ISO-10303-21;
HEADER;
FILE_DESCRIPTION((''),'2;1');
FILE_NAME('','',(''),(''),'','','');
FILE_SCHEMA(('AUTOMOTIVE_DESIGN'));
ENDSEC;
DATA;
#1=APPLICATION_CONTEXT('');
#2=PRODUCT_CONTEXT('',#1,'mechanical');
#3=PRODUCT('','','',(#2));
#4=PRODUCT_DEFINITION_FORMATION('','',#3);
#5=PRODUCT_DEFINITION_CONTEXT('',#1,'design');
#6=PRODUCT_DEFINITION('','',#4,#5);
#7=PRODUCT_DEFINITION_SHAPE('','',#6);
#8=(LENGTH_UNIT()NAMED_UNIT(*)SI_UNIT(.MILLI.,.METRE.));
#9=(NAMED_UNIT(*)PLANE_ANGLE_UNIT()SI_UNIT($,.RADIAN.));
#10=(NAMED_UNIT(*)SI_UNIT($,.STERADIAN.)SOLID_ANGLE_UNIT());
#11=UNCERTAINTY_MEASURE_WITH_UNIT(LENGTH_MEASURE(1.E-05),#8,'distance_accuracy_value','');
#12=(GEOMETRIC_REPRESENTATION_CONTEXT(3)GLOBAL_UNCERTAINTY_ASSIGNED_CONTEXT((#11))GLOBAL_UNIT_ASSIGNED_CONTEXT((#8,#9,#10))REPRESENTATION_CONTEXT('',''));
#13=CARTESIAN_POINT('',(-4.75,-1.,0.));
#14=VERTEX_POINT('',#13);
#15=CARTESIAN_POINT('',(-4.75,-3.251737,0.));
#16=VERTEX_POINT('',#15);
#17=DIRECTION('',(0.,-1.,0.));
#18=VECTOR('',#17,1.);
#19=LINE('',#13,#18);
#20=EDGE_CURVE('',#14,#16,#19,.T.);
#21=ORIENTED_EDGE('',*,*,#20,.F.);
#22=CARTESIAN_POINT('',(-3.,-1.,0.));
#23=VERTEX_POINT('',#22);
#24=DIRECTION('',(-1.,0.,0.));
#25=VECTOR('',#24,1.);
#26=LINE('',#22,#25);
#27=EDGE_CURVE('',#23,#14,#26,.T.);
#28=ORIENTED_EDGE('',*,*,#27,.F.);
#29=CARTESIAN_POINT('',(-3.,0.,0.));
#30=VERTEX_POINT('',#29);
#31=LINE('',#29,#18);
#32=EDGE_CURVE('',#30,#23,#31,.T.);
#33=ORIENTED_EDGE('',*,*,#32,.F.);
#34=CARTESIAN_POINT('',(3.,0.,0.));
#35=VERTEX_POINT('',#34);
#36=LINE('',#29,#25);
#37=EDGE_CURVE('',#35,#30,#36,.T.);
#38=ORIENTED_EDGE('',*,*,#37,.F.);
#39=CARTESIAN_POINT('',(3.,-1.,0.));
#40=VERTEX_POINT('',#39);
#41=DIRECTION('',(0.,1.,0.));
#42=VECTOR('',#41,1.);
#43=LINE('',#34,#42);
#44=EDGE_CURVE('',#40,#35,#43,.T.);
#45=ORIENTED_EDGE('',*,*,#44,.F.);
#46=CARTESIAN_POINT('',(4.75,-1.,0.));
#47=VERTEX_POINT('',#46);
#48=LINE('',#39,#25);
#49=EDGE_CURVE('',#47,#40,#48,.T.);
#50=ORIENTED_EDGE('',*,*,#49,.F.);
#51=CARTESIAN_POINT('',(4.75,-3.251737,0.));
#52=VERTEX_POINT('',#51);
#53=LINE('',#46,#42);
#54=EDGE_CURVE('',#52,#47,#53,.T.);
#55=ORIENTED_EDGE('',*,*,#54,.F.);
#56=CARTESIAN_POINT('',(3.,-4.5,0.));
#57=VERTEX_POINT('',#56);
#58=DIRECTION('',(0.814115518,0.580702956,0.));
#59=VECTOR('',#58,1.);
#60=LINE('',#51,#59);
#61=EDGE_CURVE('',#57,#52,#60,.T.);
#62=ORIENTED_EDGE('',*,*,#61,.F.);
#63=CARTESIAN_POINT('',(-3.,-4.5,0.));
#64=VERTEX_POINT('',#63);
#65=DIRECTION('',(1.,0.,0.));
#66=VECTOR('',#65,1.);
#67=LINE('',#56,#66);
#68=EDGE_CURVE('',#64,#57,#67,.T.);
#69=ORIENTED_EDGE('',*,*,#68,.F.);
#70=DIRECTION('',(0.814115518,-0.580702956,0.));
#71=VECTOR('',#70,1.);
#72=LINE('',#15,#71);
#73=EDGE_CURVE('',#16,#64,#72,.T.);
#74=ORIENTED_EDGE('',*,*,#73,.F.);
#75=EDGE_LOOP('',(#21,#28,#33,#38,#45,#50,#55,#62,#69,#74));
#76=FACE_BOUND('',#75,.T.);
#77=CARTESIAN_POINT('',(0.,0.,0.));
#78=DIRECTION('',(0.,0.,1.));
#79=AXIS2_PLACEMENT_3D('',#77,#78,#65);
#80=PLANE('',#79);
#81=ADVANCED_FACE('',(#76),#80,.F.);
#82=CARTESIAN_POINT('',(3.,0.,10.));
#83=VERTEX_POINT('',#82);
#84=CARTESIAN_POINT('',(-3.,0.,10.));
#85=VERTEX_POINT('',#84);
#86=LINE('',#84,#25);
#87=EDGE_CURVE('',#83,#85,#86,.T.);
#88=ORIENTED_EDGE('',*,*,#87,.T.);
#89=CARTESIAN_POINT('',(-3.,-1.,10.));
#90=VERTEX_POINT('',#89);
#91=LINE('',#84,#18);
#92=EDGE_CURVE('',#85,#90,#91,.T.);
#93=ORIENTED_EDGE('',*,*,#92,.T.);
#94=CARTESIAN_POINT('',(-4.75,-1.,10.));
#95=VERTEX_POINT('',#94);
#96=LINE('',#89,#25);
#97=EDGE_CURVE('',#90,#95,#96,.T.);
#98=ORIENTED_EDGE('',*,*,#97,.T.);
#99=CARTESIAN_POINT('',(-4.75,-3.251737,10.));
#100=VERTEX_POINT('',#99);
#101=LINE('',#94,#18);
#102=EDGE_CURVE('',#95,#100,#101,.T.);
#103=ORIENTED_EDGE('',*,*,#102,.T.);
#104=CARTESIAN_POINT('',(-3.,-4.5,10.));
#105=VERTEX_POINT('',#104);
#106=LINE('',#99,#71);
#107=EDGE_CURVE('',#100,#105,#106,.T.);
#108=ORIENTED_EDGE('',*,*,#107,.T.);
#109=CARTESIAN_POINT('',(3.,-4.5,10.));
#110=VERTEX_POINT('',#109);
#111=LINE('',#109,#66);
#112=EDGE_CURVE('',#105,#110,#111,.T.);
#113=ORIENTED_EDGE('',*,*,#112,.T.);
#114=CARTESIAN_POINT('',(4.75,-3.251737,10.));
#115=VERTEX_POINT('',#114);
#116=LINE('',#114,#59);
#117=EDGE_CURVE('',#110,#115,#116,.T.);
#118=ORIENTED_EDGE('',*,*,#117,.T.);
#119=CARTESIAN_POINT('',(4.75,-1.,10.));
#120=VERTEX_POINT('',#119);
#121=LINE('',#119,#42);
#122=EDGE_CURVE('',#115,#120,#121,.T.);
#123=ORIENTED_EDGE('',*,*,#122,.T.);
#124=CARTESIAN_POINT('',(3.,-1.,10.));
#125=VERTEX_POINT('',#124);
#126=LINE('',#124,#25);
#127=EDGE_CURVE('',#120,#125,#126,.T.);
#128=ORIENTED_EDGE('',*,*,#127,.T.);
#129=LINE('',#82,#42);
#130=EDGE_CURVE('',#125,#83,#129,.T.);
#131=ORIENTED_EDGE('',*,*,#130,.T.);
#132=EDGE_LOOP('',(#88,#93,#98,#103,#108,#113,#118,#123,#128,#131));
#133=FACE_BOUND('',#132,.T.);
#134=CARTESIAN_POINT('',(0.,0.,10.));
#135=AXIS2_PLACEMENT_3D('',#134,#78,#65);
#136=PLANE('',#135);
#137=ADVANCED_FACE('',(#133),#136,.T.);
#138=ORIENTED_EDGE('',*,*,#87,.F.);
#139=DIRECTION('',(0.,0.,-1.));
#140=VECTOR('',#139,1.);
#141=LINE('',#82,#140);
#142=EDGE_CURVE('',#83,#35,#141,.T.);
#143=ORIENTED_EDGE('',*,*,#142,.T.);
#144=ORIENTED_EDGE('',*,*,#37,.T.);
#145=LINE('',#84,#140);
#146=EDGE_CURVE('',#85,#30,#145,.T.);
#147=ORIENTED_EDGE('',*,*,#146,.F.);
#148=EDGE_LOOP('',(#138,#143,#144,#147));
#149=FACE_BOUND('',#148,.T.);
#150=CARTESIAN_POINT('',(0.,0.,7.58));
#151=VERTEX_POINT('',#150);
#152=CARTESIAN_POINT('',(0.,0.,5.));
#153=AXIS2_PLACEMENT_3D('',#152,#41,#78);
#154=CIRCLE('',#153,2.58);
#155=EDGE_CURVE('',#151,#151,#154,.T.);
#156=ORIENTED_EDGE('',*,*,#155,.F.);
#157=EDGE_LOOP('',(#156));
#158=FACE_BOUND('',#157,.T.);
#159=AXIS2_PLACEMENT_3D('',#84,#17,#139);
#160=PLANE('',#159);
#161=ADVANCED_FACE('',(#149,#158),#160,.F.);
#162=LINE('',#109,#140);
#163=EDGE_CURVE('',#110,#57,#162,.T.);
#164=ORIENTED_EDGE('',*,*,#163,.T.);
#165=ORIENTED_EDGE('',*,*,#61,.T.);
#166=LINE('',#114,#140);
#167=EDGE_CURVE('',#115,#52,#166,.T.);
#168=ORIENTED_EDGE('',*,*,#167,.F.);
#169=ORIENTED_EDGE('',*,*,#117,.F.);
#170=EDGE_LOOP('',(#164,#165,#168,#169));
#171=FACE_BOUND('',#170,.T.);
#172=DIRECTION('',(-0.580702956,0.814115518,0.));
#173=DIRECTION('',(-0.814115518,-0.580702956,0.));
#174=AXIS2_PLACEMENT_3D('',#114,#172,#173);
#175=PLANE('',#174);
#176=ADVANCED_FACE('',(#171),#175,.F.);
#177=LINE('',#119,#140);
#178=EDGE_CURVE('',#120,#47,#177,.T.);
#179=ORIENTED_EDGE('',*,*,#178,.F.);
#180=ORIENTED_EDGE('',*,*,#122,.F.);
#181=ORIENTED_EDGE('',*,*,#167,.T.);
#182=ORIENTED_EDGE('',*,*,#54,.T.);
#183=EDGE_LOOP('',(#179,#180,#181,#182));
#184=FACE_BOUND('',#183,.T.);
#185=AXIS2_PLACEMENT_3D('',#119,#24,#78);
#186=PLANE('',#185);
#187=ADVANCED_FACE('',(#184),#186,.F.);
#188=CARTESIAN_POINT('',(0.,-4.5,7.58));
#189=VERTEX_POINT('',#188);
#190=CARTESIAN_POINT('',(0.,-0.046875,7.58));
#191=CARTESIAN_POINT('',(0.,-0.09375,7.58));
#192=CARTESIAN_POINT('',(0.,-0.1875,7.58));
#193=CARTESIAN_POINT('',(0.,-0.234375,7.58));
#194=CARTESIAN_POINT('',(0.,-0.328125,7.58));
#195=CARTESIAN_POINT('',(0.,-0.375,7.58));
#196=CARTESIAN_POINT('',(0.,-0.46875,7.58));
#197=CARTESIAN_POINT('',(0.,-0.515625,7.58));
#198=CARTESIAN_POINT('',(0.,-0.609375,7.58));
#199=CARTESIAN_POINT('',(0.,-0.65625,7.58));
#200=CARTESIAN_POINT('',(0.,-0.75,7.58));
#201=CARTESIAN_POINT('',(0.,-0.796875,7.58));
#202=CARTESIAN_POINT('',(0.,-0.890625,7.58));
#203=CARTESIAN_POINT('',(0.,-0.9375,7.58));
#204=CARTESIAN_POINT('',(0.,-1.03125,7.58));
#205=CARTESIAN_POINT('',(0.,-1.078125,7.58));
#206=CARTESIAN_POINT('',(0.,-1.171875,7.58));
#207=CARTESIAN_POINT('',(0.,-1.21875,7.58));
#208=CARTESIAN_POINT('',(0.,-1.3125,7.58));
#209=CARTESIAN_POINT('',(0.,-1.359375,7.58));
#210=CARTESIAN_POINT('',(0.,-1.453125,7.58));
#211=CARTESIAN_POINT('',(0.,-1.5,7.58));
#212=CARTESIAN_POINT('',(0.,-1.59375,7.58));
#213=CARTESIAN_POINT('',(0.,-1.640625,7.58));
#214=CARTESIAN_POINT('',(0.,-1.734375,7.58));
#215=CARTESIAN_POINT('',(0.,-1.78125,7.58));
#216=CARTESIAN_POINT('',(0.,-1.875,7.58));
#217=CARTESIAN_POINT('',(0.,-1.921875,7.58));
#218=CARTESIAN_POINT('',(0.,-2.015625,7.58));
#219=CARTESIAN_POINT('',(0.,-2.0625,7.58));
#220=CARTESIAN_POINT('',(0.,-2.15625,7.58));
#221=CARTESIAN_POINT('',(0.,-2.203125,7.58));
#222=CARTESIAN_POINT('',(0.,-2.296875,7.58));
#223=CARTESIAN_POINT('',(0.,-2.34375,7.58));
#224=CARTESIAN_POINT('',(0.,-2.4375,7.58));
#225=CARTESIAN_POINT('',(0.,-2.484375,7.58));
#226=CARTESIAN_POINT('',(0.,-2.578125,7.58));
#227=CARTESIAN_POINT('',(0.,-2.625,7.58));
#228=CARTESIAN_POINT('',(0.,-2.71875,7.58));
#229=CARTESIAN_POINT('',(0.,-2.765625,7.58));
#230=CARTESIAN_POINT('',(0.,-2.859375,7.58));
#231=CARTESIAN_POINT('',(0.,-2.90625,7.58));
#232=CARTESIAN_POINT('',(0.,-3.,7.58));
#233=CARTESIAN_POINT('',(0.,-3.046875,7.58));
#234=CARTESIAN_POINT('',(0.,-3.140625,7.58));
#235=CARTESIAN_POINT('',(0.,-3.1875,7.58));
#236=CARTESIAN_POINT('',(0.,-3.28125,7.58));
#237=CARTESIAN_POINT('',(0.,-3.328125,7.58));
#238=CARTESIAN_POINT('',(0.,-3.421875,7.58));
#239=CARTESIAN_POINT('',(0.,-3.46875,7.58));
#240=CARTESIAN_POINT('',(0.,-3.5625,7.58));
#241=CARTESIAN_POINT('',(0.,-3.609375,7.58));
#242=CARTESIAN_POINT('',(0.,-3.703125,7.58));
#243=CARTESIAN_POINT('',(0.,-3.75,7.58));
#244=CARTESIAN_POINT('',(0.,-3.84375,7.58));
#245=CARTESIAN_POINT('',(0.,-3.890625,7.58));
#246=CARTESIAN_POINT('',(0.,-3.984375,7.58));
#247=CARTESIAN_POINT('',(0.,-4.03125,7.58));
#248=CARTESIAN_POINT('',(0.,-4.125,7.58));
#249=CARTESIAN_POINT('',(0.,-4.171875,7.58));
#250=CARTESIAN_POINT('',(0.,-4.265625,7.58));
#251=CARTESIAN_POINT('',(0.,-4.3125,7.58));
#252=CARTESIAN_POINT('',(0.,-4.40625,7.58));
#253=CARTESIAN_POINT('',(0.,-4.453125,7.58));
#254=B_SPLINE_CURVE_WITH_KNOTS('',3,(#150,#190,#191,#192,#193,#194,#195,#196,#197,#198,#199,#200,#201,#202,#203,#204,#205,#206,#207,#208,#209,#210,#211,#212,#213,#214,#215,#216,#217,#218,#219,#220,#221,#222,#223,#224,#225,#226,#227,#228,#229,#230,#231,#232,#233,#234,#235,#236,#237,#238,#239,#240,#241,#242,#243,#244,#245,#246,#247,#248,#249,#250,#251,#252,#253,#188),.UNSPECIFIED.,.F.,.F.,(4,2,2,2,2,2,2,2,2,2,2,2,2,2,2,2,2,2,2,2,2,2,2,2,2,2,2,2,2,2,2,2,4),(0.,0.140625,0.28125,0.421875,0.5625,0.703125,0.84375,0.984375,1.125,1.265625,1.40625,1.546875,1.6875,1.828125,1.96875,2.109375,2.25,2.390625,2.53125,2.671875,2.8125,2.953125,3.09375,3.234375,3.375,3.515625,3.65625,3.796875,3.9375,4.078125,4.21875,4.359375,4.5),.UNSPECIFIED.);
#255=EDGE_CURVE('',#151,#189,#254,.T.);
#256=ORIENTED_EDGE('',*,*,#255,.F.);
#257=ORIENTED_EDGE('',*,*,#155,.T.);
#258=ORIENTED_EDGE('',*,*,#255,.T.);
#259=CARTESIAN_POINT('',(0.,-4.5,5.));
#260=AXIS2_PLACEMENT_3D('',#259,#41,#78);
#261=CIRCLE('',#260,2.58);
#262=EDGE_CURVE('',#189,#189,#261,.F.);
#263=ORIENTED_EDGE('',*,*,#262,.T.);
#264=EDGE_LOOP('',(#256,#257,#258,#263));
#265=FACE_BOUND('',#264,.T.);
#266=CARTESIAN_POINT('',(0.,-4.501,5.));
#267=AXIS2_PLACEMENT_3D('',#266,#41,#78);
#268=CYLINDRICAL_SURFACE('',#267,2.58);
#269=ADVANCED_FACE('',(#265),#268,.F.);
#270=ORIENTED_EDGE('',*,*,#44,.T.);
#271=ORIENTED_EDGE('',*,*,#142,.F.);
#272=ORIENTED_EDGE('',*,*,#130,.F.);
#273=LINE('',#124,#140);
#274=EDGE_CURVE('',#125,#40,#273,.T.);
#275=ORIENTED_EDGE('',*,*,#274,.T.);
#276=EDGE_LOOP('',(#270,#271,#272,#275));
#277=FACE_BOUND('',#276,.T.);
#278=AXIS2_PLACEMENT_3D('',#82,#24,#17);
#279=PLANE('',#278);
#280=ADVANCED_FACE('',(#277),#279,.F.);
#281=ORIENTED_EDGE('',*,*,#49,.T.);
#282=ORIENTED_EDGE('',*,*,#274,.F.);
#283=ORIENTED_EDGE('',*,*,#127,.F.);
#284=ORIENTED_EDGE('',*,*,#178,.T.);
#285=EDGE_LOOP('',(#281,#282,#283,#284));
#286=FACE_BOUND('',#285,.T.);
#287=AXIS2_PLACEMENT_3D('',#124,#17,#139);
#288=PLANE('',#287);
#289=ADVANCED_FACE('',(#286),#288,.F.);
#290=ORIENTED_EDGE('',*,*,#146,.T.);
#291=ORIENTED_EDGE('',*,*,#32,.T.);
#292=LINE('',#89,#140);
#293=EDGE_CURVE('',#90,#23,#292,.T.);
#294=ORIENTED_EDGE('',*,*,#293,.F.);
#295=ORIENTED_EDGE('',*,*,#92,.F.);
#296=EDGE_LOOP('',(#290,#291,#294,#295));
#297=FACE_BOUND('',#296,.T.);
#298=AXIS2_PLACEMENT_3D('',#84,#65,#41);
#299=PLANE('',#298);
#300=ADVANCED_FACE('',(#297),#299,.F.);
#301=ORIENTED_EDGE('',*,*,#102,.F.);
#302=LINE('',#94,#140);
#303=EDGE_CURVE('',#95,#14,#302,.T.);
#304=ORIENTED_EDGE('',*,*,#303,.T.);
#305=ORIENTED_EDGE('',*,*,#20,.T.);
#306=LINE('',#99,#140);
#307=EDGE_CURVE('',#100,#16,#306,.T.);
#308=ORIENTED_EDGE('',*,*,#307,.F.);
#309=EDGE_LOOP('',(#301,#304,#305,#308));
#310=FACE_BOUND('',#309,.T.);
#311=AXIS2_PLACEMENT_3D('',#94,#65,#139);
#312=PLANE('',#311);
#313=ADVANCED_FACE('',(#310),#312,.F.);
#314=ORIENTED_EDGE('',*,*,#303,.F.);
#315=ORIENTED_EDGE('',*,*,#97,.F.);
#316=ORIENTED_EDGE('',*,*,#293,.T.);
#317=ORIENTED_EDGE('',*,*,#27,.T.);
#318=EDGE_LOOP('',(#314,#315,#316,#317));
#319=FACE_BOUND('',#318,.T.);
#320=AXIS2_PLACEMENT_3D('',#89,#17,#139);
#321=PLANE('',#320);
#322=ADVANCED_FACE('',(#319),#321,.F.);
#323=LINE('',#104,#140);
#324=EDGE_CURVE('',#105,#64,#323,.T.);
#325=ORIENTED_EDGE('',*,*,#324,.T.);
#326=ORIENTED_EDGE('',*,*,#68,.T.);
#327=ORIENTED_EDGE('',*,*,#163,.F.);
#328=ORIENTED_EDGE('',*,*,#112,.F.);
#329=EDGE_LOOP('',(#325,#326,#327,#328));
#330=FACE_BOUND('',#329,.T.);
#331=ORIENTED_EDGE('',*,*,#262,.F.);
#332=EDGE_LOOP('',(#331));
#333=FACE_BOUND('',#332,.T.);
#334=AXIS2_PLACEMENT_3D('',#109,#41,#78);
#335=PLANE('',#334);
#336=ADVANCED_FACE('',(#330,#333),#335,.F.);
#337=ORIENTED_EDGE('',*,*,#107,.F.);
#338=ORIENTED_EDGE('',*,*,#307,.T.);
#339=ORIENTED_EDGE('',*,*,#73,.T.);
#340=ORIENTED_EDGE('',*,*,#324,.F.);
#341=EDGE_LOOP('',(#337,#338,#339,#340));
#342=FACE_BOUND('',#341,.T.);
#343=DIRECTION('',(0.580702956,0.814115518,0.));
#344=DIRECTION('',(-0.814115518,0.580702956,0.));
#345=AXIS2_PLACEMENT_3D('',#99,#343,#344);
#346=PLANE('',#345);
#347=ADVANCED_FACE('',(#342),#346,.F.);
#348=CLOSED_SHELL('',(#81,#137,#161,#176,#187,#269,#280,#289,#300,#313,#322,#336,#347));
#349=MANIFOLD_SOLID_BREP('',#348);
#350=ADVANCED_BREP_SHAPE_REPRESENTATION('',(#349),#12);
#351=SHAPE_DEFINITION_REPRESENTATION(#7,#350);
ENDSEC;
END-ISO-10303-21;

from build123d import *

# Parameters (mm, degrees)
EXTRUDE_1_DEPTH     = 10
CUT_EXTRUDE_1_REACH = 13.95
SKETCH_2_R          = 2.58


with BuildPart() as part:
    # 草图1 → 凸台-拉伸1 (new body)
    with BuildSketch(Plane.XY):
        Polygon((-3, 0), (3, 0), (3, -1), (4.75, -1), (4.75, -3.251737131), (3, -4.5), (-3, -4.5), (-4.75, -3.251737131), (-4.75, -1), (-3, -1), align=None)
    extrude(amount=EXTRUDE_1_DEPTH)

    # 草图2 → 切除-拉伸1 (cut, up to next)
    with BuildSketch(Plane(origin=(0, 0, 0), x_dir=(1, 0, 0), z_dir=(0, 1, 0)), mode=Mode.PRIVATE) as cut_extrude_1_sk1:
        with Locations(Location((0, -5, 0), (0, 0, 270))):
            Circle(SKETCH_2_R)
    cut_extrude_1_tool1 = extrude(cut_extrude_1_sk1.sketch, amount=-CUT_EXTRUDE_1_REACH, mode=Mode.PRIVATE) & part.part
    add(cut_extrude_1_tool1.solids().sort_by_distance((0, 0, 5))[0], mode=Mode.SUBTRACT)


solid = part.part
